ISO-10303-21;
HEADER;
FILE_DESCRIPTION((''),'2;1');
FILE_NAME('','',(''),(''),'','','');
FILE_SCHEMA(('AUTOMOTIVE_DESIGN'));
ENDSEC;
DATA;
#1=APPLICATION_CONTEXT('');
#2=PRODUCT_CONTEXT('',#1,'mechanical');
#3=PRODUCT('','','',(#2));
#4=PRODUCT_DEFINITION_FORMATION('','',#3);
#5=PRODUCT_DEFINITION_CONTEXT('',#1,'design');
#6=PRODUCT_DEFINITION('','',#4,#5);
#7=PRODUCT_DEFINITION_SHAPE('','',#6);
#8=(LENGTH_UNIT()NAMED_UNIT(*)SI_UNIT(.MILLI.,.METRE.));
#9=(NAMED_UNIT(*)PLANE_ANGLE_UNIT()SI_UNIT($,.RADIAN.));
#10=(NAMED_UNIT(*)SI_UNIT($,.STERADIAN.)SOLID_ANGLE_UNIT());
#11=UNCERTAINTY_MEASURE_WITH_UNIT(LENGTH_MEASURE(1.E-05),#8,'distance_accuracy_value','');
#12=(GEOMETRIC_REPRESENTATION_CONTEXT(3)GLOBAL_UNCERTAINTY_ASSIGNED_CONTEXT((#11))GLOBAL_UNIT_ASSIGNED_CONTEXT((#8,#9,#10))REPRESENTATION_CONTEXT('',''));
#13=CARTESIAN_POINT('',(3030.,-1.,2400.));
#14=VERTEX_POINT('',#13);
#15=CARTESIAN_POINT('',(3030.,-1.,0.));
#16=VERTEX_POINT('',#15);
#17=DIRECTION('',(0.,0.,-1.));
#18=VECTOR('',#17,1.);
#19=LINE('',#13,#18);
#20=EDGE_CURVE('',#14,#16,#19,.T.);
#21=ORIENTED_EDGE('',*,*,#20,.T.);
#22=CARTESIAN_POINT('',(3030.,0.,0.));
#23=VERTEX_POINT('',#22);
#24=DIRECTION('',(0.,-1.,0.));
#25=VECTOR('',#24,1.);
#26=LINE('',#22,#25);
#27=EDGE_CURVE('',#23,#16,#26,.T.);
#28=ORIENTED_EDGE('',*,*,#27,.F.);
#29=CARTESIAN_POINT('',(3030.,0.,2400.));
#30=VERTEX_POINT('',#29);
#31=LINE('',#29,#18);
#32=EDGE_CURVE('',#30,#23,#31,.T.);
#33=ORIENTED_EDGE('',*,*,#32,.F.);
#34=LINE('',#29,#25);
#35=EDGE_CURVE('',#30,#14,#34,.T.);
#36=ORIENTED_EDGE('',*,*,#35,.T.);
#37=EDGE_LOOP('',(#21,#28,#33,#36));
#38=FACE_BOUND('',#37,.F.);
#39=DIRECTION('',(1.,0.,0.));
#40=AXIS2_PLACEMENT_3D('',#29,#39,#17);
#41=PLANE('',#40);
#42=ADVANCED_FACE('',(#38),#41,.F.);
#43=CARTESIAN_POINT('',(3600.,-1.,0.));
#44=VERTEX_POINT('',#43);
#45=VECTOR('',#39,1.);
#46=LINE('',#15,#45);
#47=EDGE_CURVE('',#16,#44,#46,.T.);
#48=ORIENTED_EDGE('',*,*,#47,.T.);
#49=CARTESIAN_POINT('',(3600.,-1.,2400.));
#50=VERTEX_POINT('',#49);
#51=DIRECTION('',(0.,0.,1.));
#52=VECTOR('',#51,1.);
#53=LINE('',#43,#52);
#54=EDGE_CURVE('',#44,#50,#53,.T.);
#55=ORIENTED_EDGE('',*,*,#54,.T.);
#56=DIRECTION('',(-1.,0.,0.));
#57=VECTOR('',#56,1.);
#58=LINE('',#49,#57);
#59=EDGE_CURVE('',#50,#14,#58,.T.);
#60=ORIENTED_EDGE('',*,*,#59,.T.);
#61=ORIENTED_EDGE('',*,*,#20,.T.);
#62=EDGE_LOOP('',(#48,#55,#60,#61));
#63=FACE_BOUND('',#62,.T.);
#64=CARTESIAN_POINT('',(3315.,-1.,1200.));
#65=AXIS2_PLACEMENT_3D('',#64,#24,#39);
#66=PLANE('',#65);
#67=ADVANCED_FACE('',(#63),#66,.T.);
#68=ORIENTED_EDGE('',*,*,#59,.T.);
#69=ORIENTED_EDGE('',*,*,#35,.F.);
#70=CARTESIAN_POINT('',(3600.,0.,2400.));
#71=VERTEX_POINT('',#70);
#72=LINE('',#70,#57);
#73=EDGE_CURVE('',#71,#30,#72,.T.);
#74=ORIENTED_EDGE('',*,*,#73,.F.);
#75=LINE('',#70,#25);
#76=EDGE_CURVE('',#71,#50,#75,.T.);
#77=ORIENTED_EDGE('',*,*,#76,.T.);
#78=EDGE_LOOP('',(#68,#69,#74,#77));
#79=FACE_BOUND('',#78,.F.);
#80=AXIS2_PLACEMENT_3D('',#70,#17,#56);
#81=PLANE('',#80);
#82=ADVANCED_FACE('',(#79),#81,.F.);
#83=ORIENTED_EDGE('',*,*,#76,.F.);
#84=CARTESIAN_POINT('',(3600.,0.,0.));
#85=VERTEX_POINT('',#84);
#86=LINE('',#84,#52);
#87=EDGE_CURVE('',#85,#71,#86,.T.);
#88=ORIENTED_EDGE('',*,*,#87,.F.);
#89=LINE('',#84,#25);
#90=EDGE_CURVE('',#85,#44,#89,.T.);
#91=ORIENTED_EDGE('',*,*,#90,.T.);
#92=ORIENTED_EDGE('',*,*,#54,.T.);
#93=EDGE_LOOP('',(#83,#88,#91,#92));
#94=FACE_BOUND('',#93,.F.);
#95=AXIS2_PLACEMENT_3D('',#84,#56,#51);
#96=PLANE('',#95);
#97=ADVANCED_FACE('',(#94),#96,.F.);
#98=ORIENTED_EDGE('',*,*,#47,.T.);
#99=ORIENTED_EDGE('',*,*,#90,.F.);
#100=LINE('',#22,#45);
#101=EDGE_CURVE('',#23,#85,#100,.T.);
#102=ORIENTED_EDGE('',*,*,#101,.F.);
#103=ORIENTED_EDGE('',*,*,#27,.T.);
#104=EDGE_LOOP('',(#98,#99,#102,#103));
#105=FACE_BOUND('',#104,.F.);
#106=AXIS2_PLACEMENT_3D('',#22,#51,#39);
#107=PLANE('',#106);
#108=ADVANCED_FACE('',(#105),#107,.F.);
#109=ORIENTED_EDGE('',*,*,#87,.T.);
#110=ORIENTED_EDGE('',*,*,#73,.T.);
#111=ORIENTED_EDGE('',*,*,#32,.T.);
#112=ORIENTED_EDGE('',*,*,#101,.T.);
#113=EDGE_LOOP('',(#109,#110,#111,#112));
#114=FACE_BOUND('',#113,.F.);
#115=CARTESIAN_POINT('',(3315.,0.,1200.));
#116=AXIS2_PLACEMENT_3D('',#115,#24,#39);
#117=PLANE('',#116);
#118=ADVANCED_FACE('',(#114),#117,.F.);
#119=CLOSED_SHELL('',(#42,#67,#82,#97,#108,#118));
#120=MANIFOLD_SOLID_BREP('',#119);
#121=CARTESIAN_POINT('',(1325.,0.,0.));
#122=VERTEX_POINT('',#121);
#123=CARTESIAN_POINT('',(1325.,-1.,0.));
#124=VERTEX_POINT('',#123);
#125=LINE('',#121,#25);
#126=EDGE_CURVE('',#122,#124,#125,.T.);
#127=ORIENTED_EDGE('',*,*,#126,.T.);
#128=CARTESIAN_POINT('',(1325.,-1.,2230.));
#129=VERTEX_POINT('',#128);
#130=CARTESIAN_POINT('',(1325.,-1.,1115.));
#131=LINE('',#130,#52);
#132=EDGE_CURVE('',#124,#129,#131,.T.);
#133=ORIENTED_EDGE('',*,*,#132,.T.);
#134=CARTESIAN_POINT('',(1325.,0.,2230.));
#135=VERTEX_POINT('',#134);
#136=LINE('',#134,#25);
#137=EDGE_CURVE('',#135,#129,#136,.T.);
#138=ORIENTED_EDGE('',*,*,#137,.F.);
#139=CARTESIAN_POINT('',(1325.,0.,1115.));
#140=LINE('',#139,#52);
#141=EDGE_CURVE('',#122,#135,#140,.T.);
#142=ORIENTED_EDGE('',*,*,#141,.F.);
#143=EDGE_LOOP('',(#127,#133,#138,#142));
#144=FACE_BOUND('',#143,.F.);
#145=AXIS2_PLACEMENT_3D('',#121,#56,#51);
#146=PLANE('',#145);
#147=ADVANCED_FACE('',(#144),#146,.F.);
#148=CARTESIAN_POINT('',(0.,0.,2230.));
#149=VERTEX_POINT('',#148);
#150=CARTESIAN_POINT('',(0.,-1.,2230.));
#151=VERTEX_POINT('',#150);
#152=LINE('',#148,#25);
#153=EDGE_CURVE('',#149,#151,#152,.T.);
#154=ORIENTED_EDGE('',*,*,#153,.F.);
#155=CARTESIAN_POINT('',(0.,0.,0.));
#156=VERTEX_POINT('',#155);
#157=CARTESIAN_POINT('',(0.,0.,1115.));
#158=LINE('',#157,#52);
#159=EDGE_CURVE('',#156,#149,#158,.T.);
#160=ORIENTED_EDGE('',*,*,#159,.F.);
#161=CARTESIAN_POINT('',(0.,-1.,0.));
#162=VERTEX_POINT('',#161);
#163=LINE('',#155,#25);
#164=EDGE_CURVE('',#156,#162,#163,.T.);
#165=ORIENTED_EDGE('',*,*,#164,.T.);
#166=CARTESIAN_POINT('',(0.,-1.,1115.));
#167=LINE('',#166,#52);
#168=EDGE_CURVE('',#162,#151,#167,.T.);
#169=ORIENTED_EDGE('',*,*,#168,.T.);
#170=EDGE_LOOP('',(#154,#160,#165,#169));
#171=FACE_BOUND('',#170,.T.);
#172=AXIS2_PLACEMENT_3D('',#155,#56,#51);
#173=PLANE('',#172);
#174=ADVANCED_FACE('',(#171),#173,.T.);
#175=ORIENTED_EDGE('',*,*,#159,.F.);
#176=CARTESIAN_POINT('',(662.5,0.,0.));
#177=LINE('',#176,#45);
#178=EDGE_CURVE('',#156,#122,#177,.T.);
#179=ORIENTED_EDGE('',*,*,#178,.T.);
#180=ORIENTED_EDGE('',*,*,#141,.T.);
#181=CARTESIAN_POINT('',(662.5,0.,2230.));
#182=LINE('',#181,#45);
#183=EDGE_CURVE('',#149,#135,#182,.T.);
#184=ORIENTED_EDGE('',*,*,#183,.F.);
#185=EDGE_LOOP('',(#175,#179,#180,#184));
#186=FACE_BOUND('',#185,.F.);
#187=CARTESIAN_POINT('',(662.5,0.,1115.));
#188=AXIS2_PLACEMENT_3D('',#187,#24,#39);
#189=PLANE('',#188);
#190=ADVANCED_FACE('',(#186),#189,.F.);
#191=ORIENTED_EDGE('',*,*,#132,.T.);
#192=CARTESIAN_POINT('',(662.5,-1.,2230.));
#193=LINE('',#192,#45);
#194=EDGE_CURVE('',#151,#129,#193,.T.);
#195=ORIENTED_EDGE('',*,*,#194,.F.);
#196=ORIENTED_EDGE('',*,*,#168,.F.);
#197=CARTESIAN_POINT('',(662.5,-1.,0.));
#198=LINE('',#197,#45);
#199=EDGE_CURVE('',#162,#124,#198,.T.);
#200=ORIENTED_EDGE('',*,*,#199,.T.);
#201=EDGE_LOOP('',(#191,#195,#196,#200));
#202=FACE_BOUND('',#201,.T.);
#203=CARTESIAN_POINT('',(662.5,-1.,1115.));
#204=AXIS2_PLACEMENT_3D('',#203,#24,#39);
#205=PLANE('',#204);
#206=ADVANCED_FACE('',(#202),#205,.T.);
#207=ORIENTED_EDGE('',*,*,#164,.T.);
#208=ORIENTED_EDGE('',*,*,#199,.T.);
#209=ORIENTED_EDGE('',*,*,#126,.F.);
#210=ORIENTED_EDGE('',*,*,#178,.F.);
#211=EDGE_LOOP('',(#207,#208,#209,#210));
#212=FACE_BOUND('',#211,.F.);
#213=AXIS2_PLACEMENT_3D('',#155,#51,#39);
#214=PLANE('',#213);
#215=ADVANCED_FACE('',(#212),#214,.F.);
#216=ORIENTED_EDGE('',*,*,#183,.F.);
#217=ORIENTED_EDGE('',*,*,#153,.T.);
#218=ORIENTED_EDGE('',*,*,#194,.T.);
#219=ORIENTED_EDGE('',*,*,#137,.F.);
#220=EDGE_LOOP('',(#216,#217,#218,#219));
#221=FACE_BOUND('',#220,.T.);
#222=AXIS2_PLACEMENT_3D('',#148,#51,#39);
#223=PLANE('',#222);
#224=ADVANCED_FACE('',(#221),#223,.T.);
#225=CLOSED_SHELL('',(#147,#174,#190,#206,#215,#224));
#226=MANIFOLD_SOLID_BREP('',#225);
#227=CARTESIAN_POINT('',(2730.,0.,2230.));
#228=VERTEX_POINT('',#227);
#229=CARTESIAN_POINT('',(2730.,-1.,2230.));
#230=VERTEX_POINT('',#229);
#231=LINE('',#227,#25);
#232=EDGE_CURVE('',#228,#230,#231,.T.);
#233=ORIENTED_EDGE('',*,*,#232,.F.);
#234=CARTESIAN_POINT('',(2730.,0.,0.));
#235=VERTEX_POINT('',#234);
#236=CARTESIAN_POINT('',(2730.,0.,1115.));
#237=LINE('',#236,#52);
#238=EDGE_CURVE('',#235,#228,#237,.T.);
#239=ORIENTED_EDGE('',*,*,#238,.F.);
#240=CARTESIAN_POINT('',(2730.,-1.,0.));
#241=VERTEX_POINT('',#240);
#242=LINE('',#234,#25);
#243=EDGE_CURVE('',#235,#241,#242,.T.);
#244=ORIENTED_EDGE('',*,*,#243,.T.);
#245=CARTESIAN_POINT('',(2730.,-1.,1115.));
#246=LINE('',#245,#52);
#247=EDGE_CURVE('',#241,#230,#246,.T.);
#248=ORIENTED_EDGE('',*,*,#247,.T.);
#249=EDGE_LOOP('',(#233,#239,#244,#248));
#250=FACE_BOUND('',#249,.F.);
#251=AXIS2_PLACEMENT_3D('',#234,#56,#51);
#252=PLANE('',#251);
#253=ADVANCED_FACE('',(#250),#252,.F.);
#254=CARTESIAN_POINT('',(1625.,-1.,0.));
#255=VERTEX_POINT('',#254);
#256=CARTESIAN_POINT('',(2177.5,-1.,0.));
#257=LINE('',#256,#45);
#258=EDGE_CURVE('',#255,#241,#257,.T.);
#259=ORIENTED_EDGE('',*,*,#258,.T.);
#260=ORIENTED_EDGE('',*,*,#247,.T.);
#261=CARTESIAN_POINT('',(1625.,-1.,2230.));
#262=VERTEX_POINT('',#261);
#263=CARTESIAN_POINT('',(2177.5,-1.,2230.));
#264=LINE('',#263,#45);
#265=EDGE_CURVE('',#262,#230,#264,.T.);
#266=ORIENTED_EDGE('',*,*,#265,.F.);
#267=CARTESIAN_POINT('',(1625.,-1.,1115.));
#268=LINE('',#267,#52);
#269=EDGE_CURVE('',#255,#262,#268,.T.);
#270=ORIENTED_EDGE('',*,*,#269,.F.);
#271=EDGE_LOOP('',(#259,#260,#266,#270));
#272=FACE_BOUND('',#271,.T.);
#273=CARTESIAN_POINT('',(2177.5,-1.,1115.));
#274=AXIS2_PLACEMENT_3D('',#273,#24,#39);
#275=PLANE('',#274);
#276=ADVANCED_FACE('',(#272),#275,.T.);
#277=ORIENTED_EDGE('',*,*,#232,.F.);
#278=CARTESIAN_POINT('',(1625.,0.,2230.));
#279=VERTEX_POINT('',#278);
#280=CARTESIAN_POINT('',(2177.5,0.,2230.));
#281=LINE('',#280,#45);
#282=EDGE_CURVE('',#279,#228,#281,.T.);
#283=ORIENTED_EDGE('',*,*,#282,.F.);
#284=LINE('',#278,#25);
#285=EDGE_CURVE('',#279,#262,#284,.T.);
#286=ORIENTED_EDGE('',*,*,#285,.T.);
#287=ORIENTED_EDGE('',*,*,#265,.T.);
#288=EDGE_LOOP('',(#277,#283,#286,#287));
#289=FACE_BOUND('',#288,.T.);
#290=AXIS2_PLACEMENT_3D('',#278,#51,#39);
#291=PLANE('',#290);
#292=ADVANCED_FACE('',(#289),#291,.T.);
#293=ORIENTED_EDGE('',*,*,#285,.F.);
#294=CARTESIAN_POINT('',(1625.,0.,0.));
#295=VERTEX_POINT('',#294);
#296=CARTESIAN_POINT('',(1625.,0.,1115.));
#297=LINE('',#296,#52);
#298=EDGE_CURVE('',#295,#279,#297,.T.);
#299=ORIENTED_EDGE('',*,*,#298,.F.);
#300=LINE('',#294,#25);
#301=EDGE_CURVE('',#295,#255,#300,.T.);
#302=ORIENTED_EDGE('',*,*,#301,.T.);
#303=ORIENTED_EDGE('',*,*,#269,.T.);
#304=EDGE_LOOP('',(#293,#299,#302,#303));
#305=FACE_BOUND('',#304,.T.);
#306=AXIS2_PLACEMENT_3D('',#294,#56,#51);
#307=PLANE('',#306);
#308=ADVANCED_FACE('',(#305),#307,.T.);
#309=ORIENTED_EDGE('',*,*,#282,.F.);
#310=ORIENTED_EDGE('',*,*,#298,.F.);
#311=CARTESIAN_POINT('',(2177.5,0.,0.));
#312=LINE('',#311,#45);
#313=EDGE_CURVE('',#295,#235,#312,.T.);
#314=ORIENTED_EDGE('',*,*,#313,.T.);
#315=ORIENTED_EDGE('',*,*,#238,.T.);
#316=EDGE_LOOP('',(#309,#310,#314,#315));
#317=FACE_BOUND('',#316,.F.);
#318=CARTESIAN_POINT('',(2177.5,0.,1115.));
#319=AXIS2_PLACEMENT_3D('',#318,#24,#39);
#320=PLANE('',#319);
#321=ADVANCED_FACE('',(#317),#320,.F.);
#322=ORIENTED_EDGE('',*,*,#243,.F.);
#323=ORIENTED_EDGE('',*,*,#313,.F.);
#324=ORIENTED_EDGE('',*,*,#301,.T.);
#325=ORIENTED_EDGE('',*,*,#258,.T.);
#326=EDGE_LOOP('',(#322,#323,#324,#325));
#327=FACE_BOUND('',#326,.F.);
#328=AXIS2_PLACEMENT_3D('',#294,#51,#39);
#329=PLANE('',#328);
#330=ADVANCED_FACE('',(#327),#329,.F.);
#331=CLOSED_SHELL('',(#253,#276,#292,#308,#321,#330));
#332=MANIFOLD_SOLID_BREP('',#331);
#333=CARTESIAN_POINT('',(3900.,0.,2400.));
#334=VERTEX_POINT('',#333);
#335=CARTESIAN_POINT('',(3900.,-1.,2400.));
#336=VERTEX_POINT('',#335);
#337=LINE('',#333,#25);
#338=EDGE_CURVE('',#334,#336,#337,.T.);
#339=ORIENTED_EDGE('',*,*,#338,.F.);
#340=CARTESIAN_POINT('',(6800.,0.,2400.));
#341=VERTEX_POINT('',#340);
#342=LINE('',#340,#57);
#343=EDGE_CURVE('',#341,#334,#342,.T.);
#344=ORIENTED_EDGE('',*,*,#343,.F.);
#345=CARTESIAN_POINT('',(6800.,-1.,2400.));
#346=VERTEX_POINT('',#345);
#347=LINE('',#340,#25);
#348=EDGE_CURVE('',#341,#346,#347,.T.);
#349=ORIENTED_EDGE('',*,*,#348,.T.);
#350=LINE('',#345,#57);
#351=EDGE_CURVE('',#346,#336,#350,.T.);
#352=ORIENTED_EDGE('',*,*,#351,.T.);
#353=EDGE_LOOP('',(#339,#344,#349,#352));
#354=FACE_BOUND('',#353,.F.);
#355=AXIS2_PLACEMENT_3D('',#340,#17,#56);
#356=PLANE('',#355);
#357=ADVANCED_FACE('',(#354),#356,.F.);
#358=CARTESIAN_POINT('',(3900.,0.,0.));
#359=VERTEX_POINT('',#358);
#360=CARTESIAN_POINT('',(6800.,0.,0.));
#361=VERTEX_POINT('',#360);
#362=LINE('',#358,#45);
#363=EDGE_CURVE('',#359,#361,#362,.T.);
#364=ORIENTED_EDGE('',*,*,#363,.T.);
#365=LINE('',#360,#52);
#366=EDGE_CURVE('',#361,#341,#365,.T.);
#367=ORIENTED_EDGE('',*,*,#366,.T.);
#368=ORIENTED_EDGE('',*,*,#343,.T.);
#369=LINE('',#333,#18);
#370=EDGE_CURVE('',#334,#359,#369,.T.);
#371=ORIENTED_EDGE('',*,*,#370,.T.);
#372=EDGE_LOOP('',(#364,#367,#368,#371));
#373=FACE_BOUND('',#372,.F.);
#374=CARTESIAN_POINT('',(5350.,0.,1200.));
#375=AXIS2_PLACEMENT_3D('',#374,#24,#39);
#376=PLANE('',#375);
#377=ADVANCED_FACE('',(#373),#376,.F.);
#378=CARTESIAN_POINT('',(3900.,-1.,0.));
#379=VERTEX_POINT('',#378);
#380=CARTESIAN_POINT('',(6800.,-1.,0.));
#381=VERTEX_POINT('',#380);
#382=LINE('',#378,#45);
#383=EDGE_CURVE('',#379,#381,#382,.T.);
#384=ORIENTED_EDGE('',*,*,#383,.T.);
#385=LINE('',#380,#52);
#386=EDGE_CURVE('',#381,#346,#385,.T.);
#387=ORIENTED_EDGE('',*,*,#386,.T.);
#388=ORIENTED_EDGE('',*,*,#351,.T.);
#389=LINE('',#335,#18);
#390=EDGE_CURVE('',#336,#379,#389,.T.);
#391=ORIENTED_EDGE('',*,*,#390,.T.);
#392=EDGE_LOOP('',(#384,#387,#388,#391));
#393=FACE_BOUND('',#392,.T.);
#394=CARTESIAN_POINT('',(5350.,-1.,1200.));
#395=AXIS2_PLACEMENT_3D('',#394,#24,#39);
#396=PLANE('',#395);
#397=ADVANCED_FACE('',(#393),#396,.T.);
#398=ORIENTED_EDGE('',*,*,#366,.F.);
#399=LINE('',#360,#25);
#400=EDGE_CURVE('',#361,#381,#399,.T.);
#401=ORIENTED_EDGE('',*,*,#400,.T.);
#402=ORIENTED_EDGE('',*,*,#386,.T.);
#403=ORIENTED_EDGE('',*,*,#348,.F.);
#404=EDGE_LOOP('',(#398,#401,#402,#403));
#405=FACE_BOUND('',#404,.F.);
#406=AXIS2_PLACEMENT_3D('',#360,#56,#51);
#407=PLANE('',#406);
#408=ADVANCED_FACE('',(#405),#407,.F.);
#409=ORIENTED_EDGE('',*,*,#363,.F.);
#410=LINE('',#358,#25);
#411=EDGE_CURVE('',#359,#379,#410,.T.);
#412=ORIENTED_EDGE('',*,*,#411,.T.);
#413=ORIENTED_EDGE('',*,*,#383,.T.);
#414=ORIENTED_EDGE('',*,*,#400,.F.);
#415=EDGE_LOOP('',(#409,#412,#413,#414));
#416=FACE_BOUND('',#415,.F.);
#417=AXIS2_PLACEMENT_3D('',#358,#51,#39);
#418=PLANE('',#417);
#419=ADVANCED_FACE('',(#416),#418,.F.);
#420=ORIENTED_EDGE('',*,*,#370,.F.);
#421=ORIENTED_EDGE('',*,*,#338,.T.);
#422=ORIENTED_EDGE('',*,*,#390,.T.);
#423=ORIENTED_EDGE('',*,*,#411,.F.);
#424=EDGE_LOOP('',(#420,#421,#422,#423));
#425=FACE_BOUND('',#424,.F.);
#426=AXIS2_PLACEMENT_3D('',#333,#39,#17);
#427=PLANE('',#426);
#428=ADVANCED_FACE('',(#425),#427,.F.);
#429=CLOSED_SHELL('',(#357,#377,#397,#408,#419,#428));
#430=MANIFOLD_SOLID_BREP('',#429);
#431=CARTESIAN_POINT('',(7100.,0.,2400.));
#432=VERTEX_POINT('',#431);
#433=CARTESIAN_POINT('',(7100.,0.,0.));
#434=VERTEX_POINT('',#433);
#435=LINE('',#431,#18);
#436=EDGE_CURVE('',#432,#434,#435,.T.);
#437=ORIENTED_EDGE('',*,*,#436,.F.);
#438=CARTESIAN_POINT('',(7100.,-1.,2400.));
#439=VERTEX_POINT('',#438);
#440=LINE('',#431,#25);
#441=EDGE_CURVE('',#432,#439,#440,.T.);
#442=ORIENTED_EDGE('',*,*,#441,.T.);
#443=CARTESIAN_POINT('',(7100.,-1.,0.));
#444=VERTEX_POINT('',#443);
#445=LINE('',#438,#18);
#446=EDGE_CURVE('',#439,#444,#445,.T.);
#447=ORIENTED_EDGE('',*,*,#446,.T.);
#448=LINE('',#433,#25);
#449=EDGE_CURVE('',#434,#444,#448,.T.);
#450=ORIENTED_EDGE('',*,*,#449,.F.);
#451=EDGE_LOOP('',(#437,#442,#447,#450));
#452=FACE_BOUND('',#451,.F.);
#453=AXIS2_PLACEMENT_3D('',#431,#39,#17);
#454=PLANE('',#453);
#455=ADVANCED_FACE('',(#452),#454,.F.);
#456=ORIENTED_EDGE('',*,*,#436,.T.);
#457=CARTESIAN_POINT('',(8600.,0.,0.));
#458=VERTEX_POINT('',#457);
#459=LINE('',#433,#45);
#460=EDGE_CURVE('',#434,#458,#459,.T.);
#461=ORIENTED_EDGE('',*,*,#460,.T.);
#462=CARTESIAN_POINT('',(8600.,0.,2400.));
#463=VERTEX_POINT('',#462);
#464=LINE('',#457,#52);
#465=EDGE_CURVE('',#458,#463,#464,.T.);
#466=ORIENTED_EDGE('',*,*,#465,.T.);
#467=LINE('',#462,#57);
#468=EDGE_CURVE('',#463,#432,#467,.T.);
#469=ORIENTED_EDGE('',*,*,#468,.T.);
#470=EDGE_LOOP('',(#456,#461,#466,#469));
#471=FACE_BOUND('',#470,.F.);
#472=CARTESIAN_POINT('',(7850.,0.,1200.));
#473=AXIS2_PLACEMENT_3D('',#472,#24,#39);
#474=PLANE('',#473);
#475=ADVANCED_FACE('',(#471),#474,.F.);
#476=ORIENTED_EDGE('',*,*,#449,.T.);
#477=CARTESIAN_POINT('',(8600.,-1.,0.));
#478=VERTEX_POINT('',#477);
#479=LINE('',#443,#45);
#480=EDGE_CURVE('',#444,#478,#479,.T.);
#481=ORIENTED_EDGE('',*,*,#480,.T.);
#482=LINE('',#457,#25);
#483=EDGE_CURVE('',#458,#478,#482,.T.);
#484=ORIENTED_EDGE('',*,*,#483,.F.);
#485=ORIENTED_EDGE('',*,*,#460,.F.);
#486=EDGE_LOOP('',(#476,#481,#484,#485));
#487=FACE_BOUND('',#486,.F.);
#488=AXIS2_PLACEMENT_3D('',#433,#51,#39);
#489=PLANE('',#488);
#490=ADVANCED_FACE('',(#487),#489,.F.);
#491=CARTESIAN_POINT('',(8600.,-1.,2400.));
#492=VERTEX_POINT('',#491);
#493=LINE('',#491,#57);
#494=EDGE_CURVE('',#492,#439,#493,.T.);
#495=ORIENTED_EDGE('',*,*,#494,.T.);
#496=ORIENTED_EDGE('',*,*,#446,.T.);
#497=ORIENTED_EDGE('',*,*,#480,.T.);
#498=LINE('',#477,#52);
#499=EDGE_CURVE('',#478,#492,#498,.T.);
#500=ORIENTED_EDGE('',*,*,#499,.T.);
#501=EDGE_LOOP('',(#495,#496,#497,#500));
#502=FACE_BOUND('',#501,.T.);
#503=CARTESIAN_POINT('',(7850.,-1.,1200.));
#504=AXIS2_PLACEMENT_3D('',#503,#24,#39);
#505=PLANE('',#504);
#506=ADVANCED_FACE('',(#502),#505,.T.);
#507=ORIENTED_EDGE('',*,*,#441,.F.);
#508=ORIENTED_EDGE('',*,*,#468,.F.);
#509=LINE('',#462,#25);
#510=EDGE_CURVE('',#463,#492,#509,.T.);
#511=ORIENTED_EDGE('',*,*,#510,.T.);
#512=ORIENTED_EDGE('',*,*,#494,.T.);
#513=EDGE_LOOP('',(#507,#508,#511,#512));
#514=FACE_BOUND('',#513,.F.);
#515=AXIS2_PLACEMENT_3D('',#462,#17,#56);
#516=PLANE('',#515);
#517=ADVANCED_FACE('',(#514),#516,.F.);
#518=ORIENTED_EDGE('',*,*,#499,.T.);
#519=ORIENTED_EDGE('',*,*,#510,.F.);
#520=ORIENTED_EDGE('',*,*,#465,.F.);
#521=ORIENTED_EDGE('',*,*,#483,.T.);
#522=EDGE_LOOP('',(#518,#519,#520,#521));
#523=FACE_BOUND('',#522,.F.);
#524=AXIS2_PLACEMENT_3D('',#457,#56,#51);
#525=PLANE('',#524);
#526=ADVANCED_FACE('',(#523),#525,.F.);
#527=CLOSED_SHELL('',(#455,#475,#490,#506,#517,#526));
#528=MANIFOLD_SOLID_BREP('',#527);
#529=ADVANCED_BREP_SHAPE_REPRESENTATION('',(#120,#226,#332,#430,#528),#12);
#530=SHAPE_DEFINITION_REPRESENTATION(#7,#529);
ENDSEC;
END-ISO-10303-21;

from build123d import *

# Parameters (mm, degrees)
F0_W     = 1325
F0_H     = 2230
F1_DEPTH = 1
F0_W_2   = 1105
F2_DEPTH = 1


with BuildPart() as f1:
    # F0 (on Front) → F1 (new body)
    with BuildSketch(Plane.XZ):
        with Locations((662.5, 1115)):
            Rectangle(F0_W, F0_H)
    extrude(amount=F1_DEPTH)

    # F0 (on Front) → F2 (join)
    with BuildSketch(Plane.XZ):
        with Locations((662.5, 1115)):
            Rectangle(F0_W, F0_H)
        with Locations((2177.5, 1115)):
            Rectangle(F0_W_2, F0_H)
        Polygon((3030, 2230), (3030, 0), (3600, 0), (3600, 2230), (3600, 2400), (3030, 2400), align=None)
        Polygon((3900, 2230), (3900, 0), (6800, 0), (6800, 2230), (6800, 2400), (3900, 2400), align=None)
        Polygon((7100, 2230), (7100, 0), (8600, 0), (8600, 2230), (8600, 2400), (7100, 2400), align=None)
    extrude(amount=F2_DEPTH)


solid = f1.part
